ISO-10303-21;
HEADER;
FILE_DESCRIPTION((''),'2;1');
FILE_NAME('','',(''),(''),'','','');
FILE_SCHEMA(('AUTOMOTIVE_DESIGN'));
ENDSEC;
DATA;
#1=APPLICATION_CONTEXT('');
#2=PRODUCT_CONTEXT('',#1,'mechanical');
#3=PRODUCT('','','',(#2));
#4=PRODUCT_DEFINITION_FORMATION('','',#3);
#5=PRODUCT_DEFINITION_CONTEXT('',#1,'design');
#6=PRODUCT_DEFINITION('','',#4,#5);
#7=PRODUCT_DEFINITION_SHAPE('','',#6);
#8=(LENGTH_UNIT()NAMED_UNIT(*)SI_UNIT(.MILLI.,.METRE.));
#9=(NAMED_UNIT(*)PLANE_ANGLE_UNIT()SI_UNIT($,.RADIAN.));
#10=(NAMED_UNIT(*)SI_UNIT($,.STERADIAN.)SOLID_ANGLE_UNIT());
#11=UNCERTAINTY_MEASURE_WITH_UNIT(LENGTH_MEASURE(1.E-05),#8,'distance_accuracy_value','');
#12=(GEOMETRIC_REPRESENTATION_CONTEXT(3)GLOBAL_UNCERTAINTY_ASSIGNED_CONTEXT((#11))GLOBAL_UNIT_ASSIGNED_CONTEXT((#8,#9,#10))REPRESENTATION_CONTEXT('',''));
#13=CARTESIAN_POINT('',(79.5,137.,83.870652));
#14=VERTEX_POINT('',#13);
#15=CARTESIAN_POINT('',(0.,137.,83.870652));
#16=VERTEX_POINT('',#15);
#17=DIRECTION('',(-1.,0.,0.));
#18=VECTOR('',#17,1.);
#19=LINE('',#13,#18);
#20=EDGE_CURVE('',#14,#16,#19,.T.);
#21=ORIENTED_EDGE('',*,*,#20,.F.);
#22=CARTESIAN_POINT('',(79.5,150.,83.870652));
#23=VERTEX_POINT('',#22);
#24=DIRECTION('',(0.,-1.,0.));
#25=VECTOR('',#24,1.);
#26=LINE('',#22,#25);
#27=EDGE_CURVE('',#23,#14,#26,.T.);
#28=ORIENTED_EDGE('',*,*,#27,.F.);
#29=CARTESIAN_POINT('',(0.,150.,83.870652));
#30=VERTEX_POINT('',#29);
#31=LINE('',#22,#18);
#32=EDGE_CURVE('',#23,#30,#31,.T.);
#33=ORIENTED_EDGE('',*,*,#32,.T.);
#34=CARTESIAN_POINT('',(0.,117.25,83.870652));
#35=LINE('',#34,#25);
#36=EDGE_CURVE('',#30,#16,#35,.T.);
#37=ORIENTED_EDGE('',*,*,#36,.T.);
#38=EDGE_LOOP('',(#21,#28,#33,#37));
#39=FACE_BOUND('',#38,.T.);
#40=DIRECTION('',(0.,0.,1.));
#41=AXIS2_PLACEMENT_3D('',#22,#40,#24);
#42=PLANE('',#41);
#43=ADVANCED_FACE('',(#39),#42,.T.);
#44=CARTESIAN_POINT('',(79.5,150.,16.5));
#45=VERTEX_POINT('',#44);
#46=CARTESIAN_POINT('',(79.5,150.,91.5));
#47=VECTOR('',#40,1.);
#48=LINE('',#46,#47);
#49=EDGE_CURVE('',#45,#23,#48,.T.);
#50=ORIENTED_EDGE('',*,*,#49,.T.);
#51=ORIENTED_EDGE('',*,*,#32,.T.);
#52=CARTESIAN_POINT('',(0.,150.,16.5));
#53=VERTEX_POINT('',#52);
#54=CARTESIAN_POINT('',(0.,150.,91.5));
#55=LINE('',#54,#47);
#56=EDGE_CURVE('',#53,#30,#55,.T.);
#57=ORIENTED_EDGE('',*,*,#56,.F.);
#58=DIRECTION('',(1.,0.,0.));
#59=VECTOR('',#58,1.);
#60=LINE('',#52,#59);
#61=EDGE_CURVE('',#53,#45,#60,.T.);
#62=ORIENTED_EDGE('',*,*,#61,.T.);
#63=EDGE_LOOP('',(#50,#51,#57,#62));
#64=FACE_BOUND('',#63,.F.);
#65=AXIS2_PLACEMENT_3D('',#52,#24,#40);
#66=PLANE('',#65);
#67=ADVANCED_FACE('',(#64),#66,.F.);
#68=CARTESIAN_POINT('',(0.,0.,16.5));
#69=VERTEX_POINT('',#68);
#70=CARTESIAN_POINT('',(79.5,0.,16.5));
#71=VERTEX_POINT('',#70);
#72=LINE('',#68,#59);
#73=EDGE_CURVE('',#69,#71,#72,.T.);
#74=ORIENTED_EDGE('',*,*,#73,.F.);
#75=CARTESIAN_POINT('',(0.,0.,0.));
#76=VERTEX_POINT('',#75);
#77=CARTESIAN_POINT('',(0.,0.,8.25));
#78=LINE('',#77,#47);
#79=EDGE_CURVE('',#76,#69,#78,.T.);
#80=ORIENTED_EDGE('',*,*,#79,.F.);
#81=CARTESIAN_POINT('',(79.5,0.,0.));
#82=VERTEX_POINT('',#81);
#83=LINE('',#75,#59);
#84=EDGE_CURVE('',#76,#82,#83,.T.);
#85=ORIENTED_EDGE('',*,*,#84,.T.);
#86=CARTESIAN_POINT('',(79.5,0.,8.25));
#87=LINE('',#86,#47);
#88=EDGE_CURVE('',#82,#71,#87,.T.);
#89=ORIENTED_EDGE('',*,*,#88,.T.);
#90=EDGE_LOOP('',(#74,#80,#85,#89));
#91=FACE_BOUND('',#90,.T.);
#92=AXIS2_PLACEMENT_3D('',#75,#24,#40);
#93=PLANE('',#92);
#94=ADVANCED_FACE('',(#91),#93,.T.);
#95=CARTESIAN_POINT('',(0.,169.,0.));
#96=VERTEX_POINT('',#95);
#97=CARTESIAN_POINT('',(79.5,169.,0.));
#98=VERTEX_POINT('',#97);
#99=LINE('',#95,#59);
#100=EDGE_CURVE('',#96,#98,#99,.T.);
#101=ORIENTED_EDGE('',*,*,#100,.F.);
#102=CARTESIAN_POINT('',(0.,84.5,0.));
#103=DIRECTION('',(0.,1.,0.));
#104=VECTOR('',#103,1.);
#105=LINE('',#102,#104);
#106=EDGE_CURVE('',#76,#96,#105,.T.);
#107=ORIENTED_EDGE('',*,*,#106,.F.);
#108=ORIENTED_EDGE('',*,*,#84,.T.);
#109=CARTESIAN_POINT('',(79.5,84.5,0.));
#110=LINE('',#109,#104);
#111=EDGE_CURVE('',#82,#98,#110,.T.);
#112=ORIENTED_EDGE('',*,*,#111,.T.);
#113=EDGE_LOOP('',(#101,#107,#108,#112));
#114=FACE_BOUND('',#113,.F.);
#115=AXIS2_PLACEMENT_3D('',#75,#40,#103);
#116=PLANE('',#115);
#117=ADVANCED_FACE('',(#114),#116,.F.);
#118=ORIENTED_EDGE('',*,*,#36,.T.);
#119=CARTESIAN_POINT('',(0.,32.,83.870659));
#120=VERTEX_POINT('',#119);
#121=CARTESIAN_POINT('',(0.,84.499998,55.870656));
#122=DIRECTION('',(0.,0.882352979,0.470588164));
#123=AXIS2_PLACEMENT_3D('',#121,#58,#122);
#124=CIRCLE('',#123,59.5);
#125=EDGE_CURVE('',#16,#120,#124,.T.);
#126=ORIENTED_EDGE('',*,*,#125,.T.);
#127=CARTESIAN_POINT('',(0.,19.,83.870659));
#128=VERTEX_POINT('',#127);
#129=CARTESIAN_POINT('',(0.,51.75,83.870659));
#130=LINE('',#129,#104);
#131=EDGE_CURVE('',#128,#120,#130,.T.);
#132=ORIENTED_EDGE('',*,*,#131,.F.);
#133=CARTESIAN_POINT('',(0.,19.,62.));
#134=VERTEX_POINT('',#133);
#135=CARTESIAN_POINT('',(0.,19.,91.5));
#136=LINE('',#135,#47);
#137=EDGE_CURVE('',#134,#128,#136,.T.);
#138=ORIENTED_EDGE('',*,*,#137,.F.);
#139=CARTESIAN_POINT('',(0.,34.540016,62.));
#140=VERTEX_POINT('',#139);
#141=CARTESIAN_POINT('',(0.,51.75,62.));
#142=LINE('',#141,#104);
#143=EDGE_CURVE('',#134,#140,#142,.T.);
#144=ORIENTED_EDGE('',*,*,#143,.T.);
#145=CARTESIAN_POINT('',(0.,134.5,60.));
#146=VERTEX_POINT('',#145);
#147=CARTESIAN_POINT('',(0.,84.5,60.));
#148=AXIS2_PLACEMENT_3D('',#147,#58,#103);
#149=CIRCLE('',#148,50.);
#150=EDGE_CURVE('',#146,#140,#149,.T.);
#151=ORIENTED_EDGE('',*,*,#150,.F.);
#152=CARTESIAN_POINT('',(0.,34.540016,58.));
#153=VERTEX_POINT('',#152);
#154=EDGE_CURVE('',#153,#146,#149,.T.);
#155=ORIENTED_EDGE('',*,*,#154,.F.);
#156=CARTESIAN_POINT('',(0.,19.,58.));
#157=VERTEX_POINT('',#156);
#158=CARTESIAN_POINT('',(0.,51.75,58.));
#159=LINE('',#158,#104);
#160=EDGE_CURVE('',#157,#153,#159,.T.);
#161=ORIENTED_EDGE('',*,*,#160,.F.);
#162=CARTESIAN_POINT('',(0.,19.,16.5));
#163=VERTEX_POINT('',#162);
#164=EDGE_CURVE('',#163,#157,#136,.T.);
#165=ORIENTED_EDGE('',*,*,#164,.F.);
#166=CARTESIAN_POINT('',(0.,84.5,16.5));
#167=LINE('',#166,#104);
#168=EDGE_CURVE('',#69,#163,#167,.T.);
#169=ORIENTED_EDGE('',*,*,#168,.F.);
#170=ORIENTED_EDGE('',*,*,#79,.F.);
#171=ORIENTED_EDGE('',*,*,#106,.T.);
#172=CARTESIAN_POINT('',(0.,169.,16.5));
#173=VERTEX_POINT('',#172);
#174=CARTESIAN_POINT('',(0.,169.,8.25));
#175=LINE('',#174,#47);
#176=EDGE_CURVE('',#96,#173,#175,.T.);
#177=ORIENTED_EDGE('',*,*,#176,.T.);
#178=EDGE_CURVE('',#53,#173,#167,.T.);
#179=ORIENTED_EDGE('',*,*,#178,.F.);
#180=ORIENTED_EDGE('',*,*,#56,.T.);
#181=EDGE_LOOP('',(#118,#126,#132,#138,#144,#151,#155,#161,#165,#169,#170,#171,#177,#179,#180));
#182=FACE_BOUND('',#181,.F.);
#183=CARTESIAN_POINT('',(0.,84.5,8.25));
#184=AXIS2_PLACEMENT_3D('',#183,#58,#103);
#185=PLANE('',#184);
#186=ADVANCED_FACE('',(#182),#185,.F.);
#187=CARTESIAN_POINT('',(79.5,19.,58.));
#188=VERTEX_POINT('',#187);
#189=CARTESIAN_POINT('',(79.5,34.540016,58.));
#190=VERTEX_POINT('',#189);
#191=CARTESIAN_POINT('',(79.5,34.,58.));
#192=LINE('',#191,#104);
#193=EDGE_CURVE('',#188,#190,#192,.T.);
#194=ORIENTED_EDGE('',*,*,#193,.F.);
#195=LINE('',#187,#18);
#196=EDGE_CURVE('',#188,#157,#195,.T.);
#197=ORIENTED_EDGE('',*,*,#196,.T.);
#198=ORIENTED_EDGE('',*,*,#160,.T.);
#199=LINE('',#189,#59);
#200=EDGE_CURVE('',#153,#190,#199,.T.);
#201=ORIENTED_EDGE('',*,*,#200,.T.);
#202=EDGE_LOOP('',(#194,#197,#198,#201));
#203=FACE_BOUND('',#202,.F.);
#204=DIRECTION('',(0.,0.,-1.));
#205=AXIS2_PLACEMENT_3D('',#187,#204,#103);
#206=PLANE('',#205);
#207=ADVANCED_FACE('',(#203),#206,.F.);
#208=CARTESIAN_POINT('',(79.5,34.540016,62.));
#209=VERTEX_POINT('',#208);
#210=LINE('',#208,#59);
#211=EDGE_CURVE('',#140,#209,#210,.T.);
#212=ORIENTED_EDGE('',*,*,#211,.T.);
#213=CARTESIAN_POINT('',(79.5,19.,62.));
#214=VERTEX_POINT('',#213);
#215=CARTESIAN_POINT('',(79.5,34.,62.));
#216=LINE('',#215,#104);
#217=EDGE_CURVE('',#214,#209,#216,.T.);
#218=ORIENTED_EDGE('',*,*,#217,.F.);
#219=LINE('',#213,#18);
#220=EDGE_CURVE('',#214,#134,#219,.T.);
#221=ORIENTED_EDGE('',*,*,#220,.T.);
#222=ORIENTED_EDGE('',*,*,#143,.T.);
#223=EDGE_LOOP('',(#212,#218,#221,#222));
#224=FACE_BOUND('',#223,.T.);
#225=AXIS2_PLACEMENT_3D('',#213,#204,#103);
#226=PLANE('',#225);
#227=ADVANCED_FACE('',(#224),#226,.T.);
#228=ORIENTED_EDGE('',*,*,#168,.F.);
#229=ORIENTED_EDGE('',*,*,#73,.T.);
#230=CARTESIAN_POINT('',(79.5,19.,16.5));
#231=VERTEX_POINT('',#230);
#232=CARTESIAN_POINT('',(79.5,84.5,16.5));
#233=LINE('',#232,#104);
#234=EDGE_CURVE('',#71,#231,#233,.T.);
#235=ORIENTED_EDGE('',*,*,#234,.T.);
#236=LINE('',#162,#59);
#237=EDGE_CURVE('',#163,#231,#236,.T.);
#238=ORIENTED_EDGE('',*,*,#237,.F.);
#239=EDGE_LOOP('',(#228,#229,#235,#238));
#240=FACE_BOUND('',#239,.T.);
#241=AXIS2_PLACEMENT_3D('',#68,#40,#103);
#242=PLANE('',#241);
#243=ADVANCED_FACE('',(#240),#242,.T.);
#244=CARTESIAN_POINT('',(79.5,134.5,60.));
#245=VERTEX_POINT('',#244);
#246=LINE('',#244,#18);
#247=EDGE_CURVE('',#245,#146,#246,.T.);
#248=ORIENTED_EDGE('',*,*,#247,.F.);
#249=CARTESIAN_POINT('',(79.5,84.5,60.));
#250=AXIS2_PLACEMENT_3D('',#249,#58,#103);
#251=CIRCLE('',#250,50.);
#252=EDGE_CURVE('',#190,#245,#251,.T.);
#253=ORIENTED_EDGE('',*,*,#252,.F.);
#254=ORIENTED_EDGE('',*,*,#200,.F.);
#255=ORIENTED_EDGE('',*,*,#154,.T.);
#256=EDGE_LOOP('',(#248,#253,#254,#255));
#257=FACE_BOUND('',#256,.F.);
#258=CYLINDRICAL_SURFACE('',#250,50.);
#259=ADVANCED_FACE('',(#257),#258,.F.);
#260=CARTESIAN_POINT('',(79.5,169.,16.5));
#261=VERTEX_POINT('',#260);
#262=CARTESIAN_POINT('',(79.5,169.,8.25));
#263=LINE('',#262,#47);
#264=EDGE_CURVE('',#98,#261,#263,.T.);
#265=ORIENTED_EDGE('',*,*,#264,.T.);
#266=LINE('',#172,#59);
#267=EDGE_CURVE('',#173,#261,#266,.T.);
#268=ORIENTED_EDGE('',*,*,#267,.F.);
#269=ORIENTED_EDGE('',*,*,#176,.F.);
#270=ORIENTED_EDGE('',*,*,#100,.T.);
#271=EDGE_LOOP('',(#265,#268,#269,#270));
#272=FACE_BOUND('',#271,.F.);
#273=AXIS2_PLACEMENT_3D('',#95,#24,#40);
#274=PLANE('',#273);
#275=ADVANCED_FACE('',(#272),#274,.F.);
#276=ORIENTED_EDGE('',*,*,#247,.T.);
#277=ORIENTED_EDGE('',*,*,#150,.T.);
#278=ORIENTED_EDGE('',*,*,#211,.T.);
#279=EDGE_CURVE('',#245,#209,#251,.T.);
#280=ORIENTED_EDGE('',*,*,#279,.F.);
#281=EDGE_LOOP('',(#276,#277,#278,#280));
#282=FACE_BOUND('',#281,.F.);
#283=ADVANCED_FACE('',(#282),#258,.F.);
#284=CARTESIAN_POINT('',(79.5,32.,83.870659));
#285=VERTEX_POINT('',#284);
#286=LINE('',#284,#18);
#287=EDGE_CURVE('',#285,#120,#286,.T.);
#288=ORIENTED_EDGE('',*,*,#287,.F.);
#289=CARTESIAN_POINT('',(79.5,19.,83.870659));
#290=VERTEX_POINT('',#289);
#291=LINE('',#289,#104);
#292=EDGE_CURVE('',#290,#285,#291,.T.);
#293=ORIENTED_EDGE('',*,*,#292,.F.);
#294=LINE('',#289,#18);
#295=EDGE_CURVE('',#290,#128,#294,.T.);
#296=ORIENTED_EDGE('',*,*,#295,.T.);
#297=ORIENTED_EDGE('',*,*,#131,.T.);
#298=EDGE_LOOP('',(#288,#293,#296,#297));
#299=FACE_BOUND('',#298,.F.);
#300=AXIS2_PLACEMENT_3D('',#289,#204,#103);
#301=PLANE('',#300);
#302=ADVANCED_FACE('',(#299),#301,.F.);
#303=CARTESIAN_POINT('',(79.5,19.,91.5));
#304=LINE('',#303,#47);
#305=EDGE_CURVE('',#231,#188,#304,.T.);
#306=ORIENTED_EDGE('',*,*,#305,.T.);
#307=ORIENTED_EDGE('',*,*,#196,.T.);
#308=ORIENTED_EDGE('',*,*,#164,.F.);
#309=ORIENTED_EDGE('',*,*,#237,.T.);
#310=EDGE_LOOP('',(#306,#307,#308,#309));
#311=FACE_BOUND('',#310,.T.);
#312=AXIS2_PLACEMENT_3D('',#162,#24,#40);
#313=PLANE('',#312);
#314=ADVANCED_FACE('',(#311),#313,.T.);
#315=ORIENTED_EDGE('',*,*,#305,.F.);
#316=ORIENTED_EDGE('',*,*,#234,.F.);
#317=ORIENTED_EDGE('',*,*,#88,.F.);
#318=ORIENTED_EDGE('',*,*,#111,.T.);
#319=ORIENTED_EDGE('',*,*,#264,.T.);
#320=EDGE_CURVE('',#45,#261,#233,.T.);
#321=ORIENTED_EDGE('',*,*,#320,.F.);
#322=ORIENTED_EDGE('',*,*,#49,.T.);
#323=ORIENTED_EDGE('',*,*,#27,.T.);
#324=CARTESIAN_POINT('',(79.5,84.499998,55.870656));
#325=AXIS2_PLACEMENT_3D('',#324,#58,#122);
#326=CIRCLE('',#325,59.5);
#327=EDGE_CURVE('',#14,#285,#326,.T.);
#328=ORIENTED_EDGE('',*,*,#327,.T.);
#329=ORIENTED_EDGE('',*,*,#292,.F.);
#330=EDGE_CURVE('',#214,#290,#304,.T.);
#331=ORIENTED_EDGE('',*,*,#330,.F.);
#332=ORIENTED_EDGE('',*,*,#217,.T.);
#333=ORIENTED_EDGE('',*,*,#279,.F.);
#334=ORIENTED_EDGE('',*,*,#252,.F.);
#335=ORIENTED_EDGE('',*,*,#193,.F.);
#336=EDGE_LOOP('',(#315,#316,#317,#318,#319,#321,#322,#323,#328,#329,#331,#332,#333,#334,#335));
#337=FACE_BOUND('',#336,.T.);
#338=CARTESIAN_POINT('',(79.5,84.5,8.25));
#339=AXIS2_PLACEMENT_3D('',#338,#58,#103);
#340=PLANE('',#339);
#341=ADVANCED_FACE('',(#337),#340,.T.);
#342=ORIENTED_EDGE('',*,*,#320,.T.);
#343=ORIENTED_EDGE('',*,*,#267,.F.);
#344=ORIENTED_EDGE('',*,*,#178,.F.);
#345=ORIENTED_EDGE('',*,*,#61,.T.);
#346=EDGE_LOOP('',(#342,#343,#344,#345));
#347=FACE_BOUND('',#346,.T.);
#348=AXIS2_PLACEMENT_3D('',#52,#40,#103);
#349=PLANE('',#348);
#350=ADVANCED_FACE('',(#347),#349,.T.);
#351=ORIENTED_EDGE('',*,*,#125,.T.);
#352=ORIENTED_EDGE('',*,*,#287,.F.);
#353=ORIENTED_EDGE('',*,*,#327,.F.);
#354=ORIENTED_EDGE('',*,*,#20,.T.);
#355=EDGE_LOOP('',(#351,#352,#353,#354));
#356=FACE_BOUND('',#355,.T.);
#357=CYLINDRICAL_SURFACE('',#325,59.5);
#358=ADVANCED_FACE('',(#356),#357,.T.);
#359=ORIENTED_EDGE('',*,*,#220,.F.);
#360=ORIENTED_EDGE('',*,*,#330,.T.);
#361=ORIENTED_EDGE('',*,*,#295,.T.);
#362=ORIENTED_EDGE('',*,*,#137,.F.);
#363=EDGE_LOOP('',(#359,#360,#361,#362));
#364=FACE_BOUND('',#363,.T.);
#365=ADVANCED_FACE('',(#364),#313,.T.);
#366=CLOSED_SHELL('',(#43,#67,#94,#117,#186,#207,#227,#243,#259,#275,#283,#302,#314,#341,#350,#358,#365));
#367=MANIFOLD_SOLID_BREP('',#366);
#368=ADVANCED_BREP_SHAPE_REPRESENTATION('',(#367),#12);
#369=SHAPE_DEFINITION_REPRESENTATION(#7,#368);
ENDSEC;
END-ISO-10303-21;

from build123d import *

# Parameters (mm, degrees)
SKETCH_W        = 169
SKETCH_H        = 16.5
SKETCH_W_2      = 131
SKETCH_H_2      = 150
PAD_DEPTH       = 79.5
SKETCH001_R     = 50
POCKET_DEPTH    = 79.501
POCKET001_DEPTH = 79.501
SKETCH003_W     = 30
SKETCH003_H     = 4
POCKET002_DEPTH = 79.501


with BuildPart() as part:
    # Sketch → Pad (new body)
    with BuildSketch(Plane.YZ):
        with Locations((84.5, 8.25)):
            Rectangle(SKETCH_W, SKETCH_H)
        with Locations((84.5, 91.5)):
            Rectangle(SKETCH_W_2, SKETCH_H_2)
    extrude(amount=PAD_DEPTH)

    # Sketch001 (on Face10 of Pad) → Pocket (cut, through all)
    with BuildSketch(Plane.YZ.offset(79.5)):
        with Locations((84.5, 60)):
            Circle(SKETCH001_R)
    extrude(amount=-POCKET_DEPTH, mode=Mode.SUBTRACT)

    # Sketch002 (on Face5 of Pocket) → Pocket001 (cut, through all)
    with BuildSketch(Plane.YZ.offset(79.5)):
        with BuildLine():
            Line((19, 83.870659), (32, 83.870659))
            ThreePointArc((137, 83.870652), (84.500002, 115.370656), (32, 83.870659))
            Line((150, 83.870652), (137, 83.870652))
            Line((183.643631, 183.574966), (150, 83.870652))
            Line((-15.737751, 179.863068), (183.643631, 183.574966))
            Line((19, 83.870659), (-15.737751, 179.863068))
        make_face()
    extrude(amount=-POCKET001_DEPTH, mode=Mode.SUBTRACT)

    # Sketch003 (on Face4 of Pocket001) → Pocket002 (cut, through all)
    with BuildSketch(Plane.YZ.offset(79.5)):
        with Locations((34, 60)):
            Rectangle(SKETCH003_W, SKETCH003_H)
    extrude(amount=-POCKET002_DEPTH, mode=Mode.SUBTRACT)


solid = part.part
